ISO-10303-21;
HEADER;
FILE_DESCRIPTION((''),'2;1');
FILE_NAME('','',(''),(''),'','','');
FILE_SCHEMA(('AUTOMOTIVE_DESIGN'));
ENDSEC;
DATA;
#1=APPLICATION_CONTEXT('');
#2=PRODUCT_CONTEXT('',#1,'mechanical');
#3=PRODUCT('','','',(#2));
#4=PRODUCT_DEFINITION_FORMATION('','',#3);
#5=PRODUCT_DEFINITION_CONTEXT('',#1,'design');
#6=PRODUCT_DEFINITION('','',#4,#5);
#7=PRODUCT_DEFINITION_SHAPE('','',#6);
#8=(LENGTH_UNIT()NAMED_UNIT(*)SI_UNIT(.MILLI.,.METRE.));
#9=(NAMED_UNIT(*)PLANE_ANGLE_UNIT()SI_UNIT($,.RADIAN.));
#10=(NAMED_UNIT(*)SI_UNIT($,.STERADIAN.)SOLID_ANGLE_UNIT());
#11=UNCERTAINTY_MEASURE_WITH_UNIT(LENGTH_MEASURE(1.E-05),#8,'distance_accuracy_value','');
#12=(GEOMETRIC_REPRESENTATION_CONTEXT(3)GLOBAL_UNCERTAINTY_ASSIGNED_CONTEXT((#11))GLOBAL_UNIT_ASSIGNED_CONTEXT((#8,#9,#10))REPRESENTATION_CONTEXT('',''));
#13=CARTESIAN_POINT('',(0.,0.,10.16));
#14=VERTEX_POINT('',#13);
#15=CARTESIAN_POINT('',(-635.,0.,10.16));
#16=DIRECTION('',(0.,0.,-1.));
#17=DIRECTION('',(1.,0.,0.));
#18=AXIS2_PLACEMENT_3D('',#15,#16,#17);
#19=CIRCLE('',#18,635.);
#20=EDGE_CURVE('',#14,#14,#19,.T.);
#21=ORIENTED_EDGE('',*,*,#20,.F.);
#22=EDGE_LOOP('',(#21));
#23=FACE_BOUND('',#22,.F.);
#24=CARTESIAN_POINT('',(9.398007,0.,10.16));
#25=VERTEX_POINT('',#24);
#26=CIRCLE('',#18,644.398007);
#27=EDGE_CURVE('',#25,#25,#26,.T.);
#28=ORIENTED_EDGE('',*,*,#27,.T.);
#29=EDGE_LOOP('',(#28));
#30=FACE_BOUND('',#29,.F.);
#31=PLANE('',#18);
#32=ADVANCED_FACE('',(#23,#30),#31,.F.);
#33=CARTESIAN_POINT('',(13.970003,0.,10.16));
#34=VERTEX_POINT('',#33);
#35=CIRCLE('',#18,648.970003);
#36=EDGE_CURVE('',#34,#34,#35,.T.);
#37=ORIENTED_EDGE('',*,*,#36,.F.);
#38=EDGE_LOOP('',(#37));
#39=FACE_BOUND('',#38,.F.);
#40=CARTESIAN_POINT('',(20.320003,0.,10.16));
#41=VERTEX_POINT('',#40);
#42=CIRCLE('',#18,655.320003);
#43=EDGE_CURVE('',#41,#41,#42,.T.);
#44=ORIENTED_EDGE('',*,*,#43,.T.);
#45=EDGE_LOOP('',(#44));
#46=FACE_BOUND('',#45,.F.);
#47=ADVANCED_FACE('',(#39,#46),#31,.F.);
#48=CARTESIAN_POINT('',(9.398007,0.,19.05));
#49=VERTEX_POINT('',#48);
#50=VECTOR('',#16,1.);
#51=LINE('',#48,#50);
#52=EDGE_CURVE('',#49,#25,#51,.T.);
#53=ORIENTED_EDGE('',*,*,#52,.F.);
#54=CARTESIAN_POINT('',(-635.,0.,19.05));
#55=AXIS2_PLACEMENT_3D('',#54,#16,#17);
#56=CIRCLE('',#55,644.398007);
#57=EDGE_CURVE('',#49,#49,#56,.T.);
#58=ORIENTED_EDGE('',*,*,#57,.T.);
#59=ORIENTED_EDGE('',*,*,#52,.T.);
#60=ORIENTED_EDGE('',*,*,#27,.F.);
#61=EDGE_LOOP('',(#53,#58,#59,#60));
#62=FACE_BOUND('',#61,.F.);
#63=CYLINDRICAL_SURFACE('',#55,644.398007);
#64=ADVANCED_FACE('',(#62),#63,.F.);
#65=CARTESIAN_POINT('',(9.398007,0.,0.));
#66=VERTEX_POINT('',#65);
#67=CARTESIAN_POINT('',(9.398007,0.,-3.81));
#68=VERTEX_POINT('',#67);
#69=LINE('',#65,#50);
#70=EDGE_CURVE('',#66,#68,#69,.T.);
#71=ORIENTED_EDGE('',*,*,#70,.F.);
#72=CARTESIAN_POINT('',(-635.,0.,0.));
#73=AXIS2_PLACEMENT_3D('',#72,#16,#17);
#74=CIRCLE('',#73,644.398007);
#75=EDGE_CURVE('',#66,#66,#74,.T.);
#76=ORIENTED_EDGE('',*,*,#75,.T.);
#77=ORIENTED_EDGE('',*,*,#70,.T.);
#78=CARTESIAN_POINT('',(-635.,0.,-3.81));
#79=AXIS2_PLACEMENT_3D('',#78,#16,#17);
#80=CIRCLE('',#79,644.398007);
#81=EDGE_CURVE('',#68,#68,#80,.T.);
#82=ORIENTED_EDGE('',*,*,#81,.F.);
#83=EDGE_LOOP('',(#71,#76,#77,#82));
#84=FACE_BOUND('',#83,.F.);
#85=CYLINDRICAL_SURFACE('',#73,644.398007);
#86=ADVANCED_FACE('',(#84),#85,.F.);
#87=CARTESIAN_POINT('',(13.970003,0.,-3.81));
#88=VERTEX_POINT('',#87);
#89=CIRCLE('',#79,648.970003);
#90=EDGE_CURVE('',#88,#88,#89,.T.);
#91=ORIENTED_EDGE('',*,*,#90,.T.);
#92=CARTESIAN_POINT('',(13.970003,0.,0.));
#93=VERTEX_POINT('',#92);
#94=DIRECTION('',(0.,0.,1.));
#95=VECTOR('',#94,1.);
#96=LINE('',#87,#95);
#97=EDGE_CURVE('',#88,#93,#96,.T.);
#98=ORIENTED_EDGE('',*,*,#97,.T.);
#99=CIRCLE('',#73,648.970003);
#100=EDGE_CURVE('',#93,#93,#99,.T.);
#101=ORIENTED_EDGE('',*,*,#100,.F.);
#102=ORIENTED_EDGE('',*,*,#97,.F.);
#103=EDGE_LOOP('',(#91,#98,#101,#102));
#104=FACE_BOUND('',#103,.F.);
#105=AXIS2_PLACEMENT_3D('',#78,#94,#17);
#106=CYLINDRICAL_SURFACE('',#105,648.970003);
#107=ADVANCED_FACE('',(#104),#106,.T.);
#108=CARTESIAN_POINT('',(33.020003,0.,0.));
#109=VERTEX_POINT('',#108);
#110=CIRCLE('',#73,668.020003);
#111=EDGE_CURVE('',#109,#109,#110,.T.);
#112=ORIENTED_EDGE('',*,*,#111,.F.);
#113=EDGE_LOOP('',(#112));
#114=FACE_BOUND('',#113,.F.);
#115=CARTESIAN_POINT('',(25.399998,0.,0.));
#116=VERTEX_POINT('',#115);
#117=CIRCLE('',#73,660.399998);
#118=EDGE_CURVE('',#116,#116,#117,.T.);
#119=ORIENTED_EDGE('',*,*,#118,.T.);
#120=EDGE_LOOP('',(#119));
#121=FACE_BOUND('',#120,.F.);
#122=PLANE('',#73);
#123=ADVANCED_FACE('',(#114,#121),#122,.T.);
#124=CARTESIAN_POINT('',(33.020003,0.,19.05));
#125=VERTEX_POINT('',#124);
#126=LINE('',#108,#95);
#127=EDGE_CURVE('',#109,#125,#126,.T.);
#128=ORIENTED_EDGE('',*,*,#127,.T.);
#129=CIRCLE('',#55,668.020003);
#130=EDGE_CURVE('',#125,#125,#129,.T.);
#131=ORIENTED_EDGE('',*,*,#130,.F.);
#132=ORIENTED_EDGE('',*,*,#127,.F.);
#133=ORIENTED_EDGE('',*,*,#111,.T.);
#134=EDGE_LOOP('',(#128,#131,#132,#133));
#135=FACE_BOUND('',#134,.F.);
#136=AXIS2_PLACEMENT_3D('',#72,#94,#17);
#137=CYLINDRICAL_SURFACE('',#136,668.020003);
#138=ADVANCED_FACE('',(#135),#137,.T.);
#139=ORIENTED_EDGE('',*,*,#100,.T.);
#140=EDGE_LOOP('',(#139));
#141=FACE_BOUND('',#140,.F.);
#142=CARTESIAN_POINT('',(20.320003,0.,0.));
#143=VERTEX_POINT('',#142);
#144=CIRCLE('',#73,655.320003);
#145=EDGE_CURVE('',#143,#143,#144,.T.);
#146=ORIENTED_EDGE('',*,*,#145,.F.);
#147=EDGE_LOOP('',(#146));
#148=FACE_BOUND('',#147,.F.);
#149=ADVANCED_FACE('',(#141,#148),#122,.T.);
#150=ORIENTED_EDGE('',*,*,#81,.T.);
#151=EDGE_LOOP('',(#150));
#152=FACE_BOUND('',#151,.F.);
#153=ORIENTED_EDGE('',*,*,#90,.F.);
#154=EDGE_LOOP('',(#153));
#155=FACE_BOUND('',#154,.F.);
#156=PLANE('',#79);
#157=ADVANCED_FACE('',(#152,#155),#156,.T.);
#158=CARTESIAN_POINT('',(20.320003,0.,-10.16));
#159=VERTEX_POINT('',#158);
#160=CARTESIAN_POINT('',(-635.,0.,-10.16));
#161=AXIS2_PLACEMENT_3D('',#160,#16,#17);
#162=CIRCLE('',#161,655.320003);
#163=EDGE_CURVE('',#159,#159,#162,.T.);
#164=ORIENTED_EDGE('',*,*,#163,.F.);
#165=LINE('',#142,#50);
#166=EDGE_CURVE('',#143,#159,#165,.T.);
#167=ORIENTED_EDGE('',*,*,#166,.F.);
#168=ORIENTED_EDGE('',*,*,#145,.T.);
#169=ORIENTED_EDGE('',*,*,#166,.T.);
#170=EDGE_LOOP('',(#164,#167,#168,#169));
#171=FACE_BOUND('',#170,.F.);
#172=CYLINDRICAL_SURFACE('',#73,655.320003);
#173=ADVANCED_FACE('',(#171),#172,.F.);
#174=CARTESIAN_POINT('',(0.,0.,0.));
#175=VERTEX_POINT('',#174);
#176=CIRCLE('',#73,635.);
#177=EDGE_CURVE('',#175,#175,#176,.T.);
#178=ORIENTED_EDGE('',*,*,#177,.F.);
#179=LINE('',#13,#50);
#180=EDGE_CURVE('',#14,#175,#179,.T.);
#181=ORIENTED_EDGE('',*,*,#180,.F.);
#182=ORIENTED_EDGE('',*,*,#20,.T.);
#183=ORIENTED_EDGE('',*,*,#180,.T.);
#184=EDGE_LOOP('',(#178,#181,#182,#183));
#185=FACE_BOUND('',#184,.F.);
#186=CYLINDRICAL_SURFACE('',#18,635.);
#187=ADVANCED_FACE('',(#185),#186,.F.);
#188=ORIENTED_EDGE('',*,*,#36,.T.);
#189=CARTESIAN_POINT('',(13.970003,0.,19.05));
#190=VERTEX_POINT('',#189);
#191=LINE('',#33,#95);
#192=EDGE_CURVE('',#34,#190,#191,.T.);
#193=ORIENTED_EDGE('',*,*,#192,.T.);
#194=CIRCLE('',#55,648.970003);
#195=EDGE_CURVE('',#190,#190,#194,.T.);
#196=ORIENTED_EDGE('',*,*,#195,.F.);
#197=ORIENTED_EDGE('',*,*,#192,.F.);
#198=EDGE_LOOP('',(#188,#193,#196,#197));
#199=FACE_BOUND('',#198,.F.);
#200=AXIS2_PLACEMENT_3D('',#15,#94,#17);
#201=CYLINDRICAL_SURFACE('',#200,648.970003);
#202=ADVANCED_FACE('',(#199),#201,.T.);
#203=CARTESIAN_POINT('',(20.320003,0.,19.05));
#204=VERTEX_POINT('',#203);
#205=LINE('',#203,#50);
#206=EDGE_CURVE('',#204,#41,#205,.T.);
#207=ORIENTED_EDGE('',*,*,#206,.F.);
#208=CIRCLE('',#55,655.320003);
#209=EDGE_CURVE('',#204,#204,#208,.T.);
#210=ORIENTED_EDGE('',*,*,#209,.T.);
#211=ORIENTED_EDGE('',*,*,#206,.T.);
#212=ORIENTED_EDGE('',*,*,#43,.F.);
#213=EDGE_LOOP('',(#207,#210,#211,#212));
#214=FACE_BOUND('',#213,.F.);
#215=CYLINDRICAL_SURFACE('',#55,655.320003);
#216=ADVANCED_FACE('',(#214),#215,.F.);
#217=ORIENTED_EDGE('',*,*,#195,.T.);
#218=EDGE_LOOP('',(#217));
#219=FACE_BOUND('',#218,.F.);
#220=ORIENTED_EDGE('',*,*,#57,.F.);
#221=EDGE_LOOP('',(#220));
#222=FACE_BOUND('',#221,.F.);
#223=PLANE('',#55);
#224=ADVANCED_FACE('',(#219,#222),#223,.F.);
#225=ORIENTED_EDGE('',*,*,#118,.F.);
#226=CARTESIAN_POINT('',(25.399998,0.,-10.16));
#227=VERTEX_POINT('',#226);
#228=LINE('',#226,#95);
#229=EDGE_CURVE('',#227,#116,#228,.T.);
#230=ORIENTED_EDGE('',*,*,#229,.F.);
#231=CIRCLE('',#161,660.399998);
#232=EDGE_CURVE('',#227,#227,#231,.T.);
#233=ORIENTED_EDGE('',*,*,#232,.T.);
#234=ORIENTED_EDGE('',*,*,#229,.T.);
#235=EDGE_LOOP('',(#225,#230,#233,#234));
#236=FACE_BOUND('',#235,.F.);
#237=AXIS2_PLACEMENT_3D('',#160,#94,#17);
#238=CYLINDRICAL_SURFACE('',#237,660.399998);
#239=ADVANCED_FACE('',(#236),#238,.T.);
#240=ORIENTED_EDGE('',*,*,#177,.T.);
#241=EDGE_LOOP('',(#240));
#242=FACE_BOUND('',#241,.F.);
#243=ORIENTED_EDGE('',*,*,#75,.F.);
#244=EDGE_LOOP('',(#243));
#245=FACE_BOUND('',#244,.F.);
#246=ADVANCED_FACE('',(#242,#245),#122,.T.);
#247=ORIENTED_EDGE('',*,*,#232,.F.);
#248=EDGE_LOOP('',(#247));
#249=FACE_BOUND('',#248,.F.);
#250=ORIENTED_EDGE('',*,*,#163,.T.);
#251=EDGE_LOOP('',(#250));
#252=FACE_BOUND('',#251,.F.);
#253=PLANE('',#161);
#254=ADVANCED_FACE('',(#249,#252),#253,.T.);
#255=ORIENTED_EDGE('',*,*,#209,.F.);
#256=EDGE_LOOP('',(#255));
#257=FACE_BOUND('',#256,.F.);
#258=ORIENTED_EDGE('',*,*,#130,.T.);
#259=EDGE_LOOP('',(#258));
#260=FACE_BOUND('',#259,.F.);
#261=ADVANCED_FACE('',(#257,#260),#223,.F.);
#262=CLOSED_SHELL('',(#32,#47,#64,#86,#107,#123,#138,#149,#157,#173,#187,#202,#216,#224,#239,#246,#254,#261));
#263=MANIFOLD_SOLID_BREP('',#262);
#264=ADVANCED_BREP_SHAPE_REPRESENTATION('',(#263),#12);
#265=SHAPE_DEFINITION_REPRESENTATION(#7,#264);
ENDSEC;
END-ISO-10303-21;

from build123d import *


with BuildPart() as f1:
    # F0 (on Front) → F1 (revolve)
    with BuildSketch(Plane.XZ):
        Polygon((0, 10.16), (0, 0), (9.398007, 0), (9.398007, -3.81), (13.970003, -3.81), (13.970003, 0), (20.320003, 0), (20.320003, -10.16), (25.399998, -10.16), (25.399998, 0), (33.020003, 0), (33.020003, 19.05), (20.320003, 19.05), (20.320003, 10.16), (13.970003, 10.16), (13.970003, 19.05), (9.398007, 19.05), (9.398007, 10.16), align=None)
    revolve(axis=Axis((-635, 0, -0.841798), (0, 0, -1)))


solid = f1.part
